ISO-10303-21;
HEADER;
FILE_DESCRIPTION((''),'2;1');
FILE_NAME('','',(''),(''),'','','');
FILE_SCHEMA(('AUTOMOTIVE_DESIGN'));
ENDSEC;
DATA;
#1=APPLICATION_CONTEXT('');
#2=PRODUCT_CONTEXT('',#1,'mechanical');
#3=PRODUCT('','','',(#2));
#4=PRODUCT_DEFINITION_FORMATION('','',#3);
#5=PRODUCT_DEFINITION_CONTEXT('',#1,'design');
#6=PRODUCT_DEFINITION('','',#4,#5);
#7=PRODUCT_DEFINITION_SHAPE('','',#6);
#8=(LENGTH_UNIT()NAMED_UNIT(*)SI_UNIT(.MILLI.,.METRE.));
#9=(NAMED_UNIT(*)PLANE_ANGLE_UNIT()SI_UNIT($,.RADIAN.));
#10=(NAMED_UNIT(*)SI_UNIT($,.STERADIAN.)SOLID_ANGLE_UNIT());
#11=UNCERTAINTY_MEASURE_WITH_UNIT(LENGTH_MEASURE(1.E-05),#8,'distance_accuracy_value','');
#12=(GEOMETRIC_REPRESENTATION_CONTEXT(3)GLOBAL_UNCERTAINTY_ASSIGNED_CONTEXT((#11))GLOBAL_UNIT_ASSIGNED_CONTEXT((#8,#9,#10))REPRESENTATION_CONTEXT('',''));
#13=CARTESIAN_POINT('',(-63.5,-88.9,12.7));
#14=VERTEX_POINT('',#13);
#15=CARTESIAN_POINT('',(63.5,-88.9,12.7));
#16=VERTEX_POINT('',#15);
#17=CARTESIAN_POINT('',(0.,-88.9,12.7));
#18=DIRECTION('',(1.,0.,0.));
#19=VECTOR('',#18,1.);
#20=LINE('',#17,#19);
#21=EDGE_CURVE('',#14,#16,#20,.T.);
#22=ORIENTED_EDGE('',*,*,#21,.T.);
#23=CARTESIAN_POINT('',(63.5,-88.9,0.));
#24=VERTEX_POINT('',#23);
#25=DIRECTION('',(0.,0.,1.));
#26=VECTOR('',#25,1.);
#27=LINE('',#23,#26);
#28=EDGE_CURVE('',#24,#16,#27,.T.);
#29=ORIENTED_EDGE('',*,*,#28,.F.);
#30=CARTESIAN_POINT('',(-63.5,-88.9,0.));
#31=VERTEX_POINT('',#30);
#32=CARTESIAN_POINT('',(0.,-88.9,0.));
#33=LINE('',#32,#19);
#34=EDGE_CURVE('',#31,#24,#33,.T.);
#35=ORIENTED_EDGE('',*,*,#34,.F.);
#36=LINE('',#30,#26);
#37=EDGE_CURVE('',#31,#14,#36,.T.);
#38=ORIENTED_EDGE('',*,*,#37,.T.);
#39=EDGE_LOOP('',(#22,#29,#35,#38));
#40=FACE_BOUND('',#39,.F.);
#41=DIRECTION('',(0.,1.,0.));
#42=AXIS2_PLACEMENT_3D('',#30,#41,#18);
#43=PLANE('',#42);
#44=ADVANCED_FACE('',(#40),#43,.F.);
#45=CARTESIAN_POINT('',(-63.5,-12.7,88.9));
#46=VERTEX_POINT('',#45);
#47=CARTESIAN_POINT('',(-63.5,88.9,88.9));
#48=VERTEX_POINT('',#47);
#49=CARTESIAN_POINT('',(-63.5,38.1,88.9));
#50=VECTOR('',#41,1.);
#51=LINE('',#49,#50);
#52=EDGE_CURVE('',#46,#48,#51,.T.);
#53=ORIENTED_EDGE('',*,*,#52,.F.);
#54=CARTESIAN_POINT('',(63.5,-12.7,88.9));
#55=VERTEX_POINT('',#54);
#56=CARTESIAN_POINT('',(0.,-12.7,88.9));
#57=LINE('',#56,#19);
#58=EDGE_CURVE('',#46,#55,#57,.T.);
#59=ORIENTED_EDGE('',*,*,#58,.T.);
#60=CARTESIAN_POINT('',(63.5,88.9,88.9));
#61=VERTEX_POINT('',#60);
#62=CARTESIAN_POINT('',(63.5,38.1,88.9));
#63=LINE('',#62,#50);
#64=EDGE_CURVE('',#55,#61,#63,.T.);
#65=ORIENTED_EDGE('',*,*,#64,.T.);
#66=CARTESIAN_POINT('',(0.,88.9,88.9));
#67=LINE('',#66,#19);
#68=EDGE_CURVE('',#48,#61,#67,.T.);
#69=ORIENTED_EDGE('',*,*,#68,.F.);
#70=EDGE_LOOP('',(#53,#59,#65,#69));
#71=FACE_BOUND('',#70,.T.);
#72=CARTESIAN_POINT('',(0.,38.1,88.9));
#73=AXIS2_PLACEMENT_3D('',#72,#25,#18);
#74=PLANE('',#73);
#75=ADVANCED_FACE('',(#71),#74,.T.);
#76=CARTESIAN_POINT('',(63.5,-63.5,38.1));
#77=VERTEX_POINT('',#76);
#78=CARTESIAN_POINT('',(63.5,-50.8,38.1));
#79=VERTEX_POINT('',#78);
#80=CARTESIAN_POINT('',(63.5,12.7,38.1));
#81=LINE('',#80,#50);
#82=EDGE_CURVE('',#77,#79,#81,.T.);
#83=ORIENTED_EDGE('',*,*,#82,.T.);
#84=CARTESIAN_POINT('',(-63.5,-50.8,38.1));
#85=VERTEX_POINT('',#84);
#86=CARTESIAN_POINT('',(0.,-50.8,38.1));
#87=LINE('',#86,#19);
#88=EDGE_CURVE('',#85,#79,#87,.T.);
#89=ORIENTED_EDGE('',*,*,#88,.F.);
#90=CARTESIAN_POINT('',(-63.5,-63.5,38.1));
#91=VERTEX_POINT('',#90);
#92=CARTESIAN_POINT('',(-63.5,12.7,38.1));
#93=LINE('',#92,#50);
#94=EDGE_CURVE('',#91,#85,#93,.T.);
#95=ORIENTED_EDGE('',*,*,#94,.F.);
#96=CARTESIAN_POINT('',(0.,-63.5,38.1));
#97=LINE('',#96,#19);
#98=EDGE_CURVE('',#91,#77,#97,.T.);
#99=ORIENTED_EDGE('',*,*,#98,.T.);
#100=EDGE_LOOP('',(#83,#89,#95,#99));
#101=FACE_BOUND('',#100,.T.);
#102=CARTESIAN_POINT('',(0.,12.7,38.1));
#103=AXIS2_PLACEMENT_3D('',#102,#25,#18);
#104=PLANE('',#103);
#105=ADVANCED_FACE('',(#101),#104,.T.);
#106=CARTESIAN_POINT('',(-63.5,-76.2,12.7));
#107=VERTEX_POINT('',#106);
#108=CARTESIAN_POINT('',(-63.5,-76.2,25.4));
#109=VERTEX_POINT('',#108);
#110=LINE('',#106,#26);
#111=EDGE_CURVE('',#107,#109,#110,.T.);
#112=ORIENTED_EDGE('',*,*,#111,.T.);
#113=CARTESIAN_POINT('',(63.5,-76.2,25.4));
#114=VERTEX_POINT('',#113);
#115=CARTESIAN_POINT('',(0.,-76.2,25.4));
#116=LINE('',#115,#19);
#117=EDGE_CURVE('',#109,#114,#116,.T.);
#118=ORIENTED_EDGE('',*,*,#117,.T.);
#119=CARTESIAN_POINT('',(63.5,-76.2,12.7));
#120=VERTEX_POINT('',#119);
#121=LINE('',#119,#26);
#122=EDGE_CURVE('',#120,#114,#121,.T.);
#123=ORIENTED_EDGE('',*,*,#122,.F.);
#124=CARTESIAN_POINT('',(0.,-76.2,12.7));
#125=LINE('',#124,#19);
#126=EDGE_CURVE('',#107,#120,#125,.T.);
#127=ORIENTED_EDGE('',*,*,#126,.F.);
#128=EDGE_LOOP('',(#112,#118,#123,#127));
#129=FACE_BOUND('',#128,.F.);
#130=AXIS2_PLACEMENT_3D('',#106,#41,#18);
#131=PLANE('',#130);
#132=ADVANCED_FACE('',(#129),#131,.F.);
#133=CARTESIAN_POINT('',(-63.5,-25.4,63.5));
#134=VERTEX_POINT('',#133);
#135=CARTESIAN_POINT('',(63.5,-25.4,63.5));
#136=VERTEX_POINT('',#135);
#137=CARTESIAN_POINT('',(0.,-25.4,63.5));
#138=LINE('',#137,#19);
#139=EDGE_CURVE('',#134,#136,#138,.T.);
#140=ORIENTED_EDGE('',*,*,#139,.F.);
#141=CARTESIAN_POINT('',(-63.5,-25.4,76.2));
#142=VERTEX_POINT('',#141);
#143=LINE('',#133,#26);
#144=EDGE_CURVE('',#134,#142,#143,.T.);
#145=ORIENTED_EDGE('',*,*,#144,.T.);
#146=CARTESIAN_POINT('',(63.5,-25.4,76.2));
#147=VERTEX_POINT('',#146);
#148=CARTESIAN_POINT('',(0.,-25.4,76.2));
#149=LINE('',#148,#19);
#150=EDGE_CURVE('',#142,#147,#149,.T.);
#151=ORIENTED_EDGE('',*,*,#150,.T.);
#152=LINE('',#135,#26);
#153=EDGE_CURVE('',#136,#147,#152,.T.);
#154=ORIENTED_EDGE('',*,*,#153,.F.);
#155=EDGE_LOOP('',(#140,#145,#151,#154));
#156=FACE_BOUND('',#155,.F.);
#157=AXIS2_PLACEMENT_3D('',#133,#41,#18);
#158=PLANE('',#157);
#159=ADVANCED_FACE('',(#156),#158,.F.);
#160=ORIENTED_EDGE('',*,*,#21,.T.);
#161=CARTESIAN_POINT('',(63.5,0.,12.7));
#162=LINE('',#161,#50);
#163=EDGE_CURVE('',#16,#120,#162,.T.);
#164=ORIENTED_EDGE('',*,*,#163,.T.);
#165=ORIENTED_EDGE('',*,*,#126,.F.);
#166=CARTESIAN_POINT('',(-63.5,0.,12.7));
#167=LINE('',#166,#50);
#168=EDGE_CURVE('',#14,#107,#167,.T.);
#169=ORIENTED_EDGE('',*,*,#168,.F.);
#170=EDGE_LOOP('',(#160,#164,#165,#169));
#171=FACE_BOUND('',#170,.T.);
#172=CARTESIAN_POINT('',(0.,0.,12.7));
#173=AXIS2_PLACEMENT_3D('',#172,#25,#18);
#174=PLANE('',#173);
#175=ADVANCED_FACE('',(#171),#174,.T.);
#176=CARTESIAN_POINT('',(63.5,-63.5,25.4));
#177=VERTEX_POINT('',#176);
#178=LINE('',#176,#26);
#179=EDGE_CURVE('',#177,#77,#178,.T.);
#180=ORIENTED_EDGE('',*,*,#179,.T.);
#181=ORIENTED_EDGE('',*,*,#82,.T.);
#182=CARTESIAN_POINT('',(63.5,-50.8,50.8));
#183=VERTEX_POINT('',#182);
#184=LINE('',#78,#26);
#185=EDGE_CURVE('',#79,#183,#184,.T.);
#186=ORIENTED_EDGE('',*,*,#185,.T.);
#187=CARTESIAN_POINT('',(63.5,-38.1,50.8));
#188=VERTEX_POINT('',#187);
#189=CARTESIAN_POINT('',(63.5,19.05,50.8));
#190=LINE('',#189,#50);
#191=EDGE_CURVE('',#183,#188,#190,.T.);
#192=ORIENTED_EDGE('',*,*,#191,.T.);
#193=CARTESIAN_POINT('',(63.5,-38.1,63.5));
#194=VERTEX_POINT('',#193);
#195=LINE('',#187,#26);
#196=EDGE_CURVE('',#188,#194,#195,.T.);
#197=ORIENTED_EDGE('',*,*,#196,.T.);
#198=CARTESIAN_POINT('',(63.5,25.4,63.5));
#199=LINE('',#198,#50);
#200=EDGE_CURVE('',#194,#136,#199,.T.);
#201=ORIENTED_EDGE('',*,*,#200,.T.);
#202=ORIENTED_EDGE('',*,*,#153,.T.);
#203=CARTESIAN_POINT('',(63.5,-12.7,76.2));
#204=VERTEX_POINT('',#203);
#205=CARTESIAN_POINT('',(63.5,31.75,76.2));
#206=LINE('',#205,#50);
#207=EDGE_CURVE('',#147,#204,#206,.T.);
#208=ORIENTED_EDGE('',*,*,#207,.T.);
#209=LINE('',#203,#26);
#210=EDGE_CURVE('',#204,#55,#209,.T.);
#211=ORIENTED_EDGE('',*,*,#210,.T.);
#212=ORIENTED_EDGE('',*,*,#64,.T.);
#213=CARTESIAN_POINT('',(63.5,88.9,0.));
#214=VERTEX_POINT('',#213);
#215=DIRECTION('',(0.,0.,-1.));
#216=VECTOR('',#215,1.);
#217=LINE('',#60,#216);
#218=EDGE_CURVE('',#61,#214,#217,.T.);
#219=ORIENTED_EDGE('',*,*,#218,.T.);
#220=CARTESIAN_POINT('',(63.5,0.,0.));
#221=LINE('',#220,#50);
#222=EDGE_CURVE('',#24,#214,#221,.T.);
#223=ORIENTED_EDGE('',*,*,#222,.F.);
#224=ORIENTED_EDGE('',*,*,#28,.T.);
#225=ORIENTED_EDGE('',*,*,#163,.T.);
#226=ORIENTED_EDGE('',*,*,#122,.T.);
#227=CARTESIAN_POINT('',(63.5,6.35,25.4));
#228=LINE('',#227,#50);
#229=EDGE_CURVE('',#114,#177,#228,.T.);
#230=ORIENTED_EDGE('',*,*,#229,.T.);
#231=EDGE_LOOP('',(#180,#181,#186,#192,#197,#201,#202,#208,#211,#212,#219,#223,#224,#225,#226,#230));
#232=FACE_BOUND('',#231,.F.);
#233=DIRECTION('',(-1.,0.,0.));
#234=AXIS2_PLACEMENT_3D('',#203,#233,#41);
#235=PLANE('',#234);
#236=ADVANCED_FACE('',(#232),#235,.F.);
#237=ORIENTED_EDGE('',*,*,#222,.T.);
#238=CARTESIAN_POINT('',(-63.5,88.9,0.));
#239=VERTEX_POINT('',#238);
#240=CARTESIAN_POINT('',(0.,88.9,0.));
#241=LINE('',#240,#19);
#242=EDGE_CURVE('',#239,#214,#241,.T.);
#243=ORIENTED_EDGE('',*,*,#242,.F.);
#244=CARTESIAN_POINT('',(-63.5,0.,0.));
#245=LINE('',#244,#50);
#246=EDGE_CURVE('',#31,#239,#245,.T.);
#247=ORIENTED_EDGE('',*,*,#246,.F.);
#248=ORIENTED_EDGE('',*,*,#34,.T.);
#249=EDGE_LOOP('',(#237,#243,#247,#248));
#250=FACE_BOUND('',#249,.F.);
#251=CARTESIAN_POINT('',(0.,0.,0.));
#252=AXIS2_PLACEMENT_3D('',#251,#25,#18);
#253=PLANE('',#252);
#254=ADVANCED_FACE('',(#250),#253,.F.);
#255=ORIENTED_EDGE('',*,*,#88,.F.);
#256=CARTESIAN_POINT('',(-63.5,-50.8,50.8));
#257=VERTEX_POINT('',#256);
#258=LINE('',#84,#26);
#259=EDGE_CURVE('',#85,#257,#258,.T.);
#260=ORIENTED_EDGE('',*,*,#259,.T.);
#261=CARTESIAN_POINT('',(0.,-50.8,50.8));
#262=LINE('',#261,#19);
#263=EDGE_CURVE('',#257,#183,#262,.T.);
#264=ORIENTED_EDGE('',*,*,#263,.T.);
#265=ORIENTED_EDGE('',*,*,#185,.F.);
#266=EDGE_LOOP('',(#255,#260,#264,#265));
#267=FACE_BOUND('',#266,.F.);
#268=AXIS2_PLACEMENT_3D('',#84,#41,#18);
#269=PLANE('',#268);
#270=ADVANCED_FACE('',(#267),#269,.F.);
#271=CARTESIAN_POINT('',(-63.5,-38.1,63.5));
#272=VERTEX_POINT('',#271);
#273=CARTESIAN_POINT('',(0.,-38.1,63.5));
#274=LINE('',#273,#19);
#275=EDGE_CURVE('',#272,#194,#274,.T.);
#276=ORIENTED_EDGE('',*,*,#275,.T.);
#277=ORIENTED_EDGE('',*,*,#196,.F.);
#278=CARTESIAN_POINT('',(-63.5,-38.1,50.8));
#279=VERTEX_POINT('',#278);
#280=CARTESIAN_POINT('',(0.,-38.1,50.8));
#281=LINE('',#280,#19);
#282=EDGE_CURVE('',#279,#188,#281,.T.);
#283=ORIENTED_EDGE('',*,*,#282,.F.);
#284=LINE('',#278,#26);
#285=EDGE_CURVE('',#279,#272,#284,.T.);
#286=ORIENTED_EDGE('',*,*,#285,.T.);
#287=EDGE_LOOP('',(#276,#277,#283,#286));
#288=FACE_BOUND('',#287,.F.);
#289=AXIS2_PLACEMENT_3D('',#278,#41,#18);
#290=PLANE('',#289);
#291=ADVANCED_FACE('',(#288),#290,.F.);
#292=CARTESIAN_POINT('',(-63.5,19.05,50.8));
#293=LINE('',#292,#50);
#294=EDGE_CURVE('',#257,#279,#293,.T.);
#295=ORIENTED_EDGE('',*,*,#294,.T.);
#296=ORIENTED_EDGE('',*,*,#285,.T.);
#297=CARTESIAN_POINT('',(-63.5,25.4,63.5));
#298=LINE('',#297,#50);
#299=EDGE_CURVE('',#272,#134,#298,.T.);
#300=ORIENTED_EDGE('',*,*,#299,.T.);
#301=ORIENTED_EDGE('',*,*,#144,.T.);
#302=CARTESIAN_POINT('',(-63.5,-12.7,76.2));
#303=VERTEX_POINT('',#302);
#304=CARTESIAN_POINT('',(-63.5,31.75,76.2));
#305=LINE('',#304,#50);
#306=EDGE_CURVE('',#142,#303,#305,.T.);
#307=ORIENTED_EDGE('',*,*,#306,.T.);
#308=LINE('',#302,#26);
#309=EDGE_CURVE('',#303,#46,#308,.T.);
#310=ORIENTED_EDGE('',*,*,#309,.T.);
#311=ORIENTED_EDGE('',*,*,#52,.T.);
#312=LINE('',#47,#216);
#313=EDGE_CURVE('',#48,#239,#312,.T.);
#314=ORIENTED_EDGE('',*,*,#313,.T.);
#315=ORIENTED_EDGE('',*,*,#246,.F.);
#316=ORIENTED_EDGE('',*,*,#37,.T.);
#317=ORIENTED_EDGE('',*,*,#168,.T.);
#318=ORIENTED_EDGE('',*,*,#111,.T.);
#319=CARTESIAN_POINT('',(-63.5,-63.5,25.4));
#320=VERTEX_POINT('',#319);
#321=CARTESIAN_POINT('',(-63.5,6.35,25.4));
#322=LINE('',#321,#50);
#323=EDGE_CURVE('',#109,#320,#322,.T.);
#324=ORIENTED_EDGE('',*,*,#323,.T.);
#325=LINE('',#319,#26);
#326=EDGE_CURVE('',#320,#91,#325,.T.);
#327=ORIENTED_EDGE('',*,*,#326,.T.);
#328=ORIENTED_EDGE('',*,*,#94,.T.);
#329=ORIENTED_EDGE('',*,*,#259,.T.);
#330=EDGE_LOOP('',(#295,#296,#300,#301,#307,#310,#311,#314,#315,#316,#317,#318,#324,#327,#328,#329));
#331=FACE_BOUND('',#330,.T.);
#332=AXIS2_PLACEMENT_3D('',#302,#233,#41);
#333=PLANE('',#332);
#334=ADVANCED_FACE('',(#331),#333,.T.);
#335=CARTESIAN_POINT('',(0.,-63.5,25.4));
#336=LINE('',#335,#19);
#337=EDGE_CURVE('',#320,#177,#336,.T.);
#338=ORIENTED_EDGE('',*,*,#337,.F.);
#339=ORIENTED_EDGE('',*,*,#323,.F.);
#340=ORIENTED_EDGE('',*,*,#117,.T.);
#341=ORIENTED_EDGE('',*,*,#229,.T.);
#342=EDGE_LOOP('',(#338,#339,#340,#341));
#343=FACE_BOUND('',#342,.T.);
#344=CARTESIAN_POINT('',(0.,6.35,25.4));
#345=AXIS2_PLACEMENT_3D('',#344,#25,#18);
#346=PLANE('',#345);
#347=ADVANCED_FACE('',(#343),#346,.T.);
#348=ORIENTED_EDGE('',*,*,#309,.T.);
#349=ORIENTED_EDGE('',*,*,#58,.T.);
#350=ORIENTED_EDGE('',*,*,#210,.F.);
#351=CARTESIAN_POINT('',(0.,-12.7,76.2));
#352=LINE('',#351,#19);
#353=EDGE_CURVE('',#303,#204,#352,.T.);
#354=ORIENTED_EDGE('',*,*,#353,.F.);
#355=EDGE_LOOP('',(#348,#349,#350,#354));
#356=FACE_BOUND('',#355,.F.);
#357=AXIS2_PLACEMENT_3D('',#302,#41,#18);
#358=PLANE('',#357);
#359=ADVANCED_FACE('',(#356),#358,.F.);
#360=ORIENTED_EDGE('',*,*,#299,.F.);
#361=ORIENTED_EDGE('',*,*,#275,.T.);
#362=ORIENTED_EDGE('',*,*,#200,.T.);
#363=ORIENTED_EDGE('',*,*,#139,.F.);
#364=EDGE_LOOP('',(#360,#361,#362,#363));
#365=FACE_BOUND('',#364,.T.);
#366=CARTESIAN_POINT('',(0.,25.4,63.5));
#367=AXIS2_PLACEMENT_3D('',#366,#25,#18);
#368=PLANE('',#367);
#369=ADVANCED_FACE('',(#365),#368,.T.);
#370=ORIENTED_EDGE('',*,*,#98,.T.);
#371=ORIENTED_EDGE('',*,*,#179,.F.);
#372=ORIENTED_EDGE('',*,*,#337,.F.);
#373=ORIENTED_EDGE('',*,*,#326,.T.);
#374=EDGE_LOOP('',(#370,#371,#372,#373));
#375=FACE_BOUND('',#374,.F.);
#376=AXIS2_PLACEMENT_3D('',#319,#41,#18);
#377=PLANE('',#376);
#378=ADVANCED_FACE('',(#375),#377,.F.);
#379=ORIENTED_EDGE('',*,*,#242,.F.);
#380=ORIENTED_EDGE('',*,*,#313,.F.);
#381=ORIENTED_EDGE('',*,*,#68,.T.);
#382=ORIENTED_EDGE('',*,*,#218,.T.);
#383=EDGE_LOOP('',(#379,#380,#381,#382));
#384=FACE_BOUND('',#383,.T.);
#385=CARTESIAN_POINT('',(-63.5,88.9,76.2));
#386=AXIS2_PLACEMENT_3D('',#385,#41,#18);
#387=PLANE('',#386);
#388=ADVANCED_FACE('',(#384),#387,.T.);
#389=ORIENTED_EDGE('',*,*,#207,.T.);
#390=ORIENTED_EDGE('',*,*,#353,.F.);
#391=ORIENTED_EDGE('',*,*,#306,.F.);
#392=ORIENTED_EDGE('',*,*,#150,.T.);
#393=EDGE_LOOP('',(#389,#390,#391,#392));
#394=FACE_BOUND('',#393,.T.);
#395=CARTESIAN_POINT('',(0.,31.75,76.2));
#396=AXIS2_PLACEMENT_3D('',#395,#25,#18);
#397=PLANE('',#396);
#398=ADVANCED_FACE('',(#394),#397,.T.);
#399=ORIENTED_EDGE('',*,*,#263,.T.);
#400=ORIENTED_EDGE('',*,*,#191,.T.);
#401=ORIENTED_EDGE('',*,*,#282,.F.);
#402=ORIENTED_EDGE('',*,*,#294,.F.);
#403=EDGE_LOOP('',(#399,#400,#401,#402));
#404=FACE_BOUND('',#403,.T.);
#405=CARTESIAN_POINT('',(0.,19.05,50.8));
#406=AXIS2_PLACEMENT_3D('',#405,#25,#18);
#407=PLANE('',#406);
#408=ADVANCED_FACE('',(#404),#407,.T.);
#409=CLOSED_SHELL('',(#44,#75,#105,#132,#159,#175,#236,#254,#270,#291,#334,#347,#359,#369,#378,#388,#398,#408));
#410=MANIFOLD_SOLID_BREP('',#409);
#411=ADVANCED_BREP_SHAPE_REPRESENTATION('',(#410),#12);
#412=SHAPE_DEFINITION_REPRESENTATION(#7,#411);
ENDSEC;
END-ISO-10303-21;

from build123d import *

# Parameters (mm, degrees)
F0_W      = 127
F0_H      = 177.8
F1_DEPTH  = 12.7
F2_W      = 127
F2_H      = 165.1
F3_DEPTH  = 12.7
F4_W      = 127
F4_H      = 152.4
F5_DEPTH  = 12.7
F6_W      = 127
F6_H      = 139.7
F7_DEPTH  = 12.7
F8_W      = 127
F8_H      = 127
F9_DEPTH  = 12.7
F10_W     = 127
F10_H     = 114.3
F11_DEPTH = 12.7
F12_W     = 127
F12_H     = 101.6
F13_DEPTH = 12.7


with BuildPart() as f1:
    # F0 (on Top) → F1 (new body)
    with BuildSketch(Plane.XY):
        Rectangle(F0_W, F0_H)
    extrude(amount=F1_DEPTH)

    # F2 (on face) → F3 (join)
    with BuildSketch(Plane.XY.offset(12.7)):
        with Locations((0, 6.35)):
            Rectangle(F2_W, F2_H)
    extrude(amount=F3_DEPTH)

    # F4 (on face) → F5 (join)
    with BuildSketch(Plane.XY.offset(25.4)):
        with Locations((0, 12.7)):
            Rectangle(F4_W, F4_H)
    extrude(amount=F5_DEPTH)

    # F6 (on face) → F7 (join)
    with BuildSketch(Plane.XY.offset(38.1)):
        with Locations((0, 19.05)):
            Rectangle(F6_W, F6_H)
    extrude(amount=F7_DEPTH)

    # F8 (on face) → F9 (join)
    with BuildSketch(Plane.XY.offset(50.8)):
        with Locations((0, 25.4)):
            Rectangle(F8_W, F8_H)
    extrude(amount=F9_DEPTH)

    # F10 (on face) → F11 (join)
    with BuildSketch(Plane.XY.offset(63.5)):
        with Locations((0, 31.75)):
            Rectangle(F10_W, F10_H)
    extrude(amount=F11_DEPTH)

    # F12 (on face) → F13 (join)
    with BuildSketch(Plane.XY.offset(76.2)):
        with Locations((0, 38.1)):
            Rectangle(F12_W, F12_H)
    extrude(amount=F13_DEPTH)


solid = f1.part
